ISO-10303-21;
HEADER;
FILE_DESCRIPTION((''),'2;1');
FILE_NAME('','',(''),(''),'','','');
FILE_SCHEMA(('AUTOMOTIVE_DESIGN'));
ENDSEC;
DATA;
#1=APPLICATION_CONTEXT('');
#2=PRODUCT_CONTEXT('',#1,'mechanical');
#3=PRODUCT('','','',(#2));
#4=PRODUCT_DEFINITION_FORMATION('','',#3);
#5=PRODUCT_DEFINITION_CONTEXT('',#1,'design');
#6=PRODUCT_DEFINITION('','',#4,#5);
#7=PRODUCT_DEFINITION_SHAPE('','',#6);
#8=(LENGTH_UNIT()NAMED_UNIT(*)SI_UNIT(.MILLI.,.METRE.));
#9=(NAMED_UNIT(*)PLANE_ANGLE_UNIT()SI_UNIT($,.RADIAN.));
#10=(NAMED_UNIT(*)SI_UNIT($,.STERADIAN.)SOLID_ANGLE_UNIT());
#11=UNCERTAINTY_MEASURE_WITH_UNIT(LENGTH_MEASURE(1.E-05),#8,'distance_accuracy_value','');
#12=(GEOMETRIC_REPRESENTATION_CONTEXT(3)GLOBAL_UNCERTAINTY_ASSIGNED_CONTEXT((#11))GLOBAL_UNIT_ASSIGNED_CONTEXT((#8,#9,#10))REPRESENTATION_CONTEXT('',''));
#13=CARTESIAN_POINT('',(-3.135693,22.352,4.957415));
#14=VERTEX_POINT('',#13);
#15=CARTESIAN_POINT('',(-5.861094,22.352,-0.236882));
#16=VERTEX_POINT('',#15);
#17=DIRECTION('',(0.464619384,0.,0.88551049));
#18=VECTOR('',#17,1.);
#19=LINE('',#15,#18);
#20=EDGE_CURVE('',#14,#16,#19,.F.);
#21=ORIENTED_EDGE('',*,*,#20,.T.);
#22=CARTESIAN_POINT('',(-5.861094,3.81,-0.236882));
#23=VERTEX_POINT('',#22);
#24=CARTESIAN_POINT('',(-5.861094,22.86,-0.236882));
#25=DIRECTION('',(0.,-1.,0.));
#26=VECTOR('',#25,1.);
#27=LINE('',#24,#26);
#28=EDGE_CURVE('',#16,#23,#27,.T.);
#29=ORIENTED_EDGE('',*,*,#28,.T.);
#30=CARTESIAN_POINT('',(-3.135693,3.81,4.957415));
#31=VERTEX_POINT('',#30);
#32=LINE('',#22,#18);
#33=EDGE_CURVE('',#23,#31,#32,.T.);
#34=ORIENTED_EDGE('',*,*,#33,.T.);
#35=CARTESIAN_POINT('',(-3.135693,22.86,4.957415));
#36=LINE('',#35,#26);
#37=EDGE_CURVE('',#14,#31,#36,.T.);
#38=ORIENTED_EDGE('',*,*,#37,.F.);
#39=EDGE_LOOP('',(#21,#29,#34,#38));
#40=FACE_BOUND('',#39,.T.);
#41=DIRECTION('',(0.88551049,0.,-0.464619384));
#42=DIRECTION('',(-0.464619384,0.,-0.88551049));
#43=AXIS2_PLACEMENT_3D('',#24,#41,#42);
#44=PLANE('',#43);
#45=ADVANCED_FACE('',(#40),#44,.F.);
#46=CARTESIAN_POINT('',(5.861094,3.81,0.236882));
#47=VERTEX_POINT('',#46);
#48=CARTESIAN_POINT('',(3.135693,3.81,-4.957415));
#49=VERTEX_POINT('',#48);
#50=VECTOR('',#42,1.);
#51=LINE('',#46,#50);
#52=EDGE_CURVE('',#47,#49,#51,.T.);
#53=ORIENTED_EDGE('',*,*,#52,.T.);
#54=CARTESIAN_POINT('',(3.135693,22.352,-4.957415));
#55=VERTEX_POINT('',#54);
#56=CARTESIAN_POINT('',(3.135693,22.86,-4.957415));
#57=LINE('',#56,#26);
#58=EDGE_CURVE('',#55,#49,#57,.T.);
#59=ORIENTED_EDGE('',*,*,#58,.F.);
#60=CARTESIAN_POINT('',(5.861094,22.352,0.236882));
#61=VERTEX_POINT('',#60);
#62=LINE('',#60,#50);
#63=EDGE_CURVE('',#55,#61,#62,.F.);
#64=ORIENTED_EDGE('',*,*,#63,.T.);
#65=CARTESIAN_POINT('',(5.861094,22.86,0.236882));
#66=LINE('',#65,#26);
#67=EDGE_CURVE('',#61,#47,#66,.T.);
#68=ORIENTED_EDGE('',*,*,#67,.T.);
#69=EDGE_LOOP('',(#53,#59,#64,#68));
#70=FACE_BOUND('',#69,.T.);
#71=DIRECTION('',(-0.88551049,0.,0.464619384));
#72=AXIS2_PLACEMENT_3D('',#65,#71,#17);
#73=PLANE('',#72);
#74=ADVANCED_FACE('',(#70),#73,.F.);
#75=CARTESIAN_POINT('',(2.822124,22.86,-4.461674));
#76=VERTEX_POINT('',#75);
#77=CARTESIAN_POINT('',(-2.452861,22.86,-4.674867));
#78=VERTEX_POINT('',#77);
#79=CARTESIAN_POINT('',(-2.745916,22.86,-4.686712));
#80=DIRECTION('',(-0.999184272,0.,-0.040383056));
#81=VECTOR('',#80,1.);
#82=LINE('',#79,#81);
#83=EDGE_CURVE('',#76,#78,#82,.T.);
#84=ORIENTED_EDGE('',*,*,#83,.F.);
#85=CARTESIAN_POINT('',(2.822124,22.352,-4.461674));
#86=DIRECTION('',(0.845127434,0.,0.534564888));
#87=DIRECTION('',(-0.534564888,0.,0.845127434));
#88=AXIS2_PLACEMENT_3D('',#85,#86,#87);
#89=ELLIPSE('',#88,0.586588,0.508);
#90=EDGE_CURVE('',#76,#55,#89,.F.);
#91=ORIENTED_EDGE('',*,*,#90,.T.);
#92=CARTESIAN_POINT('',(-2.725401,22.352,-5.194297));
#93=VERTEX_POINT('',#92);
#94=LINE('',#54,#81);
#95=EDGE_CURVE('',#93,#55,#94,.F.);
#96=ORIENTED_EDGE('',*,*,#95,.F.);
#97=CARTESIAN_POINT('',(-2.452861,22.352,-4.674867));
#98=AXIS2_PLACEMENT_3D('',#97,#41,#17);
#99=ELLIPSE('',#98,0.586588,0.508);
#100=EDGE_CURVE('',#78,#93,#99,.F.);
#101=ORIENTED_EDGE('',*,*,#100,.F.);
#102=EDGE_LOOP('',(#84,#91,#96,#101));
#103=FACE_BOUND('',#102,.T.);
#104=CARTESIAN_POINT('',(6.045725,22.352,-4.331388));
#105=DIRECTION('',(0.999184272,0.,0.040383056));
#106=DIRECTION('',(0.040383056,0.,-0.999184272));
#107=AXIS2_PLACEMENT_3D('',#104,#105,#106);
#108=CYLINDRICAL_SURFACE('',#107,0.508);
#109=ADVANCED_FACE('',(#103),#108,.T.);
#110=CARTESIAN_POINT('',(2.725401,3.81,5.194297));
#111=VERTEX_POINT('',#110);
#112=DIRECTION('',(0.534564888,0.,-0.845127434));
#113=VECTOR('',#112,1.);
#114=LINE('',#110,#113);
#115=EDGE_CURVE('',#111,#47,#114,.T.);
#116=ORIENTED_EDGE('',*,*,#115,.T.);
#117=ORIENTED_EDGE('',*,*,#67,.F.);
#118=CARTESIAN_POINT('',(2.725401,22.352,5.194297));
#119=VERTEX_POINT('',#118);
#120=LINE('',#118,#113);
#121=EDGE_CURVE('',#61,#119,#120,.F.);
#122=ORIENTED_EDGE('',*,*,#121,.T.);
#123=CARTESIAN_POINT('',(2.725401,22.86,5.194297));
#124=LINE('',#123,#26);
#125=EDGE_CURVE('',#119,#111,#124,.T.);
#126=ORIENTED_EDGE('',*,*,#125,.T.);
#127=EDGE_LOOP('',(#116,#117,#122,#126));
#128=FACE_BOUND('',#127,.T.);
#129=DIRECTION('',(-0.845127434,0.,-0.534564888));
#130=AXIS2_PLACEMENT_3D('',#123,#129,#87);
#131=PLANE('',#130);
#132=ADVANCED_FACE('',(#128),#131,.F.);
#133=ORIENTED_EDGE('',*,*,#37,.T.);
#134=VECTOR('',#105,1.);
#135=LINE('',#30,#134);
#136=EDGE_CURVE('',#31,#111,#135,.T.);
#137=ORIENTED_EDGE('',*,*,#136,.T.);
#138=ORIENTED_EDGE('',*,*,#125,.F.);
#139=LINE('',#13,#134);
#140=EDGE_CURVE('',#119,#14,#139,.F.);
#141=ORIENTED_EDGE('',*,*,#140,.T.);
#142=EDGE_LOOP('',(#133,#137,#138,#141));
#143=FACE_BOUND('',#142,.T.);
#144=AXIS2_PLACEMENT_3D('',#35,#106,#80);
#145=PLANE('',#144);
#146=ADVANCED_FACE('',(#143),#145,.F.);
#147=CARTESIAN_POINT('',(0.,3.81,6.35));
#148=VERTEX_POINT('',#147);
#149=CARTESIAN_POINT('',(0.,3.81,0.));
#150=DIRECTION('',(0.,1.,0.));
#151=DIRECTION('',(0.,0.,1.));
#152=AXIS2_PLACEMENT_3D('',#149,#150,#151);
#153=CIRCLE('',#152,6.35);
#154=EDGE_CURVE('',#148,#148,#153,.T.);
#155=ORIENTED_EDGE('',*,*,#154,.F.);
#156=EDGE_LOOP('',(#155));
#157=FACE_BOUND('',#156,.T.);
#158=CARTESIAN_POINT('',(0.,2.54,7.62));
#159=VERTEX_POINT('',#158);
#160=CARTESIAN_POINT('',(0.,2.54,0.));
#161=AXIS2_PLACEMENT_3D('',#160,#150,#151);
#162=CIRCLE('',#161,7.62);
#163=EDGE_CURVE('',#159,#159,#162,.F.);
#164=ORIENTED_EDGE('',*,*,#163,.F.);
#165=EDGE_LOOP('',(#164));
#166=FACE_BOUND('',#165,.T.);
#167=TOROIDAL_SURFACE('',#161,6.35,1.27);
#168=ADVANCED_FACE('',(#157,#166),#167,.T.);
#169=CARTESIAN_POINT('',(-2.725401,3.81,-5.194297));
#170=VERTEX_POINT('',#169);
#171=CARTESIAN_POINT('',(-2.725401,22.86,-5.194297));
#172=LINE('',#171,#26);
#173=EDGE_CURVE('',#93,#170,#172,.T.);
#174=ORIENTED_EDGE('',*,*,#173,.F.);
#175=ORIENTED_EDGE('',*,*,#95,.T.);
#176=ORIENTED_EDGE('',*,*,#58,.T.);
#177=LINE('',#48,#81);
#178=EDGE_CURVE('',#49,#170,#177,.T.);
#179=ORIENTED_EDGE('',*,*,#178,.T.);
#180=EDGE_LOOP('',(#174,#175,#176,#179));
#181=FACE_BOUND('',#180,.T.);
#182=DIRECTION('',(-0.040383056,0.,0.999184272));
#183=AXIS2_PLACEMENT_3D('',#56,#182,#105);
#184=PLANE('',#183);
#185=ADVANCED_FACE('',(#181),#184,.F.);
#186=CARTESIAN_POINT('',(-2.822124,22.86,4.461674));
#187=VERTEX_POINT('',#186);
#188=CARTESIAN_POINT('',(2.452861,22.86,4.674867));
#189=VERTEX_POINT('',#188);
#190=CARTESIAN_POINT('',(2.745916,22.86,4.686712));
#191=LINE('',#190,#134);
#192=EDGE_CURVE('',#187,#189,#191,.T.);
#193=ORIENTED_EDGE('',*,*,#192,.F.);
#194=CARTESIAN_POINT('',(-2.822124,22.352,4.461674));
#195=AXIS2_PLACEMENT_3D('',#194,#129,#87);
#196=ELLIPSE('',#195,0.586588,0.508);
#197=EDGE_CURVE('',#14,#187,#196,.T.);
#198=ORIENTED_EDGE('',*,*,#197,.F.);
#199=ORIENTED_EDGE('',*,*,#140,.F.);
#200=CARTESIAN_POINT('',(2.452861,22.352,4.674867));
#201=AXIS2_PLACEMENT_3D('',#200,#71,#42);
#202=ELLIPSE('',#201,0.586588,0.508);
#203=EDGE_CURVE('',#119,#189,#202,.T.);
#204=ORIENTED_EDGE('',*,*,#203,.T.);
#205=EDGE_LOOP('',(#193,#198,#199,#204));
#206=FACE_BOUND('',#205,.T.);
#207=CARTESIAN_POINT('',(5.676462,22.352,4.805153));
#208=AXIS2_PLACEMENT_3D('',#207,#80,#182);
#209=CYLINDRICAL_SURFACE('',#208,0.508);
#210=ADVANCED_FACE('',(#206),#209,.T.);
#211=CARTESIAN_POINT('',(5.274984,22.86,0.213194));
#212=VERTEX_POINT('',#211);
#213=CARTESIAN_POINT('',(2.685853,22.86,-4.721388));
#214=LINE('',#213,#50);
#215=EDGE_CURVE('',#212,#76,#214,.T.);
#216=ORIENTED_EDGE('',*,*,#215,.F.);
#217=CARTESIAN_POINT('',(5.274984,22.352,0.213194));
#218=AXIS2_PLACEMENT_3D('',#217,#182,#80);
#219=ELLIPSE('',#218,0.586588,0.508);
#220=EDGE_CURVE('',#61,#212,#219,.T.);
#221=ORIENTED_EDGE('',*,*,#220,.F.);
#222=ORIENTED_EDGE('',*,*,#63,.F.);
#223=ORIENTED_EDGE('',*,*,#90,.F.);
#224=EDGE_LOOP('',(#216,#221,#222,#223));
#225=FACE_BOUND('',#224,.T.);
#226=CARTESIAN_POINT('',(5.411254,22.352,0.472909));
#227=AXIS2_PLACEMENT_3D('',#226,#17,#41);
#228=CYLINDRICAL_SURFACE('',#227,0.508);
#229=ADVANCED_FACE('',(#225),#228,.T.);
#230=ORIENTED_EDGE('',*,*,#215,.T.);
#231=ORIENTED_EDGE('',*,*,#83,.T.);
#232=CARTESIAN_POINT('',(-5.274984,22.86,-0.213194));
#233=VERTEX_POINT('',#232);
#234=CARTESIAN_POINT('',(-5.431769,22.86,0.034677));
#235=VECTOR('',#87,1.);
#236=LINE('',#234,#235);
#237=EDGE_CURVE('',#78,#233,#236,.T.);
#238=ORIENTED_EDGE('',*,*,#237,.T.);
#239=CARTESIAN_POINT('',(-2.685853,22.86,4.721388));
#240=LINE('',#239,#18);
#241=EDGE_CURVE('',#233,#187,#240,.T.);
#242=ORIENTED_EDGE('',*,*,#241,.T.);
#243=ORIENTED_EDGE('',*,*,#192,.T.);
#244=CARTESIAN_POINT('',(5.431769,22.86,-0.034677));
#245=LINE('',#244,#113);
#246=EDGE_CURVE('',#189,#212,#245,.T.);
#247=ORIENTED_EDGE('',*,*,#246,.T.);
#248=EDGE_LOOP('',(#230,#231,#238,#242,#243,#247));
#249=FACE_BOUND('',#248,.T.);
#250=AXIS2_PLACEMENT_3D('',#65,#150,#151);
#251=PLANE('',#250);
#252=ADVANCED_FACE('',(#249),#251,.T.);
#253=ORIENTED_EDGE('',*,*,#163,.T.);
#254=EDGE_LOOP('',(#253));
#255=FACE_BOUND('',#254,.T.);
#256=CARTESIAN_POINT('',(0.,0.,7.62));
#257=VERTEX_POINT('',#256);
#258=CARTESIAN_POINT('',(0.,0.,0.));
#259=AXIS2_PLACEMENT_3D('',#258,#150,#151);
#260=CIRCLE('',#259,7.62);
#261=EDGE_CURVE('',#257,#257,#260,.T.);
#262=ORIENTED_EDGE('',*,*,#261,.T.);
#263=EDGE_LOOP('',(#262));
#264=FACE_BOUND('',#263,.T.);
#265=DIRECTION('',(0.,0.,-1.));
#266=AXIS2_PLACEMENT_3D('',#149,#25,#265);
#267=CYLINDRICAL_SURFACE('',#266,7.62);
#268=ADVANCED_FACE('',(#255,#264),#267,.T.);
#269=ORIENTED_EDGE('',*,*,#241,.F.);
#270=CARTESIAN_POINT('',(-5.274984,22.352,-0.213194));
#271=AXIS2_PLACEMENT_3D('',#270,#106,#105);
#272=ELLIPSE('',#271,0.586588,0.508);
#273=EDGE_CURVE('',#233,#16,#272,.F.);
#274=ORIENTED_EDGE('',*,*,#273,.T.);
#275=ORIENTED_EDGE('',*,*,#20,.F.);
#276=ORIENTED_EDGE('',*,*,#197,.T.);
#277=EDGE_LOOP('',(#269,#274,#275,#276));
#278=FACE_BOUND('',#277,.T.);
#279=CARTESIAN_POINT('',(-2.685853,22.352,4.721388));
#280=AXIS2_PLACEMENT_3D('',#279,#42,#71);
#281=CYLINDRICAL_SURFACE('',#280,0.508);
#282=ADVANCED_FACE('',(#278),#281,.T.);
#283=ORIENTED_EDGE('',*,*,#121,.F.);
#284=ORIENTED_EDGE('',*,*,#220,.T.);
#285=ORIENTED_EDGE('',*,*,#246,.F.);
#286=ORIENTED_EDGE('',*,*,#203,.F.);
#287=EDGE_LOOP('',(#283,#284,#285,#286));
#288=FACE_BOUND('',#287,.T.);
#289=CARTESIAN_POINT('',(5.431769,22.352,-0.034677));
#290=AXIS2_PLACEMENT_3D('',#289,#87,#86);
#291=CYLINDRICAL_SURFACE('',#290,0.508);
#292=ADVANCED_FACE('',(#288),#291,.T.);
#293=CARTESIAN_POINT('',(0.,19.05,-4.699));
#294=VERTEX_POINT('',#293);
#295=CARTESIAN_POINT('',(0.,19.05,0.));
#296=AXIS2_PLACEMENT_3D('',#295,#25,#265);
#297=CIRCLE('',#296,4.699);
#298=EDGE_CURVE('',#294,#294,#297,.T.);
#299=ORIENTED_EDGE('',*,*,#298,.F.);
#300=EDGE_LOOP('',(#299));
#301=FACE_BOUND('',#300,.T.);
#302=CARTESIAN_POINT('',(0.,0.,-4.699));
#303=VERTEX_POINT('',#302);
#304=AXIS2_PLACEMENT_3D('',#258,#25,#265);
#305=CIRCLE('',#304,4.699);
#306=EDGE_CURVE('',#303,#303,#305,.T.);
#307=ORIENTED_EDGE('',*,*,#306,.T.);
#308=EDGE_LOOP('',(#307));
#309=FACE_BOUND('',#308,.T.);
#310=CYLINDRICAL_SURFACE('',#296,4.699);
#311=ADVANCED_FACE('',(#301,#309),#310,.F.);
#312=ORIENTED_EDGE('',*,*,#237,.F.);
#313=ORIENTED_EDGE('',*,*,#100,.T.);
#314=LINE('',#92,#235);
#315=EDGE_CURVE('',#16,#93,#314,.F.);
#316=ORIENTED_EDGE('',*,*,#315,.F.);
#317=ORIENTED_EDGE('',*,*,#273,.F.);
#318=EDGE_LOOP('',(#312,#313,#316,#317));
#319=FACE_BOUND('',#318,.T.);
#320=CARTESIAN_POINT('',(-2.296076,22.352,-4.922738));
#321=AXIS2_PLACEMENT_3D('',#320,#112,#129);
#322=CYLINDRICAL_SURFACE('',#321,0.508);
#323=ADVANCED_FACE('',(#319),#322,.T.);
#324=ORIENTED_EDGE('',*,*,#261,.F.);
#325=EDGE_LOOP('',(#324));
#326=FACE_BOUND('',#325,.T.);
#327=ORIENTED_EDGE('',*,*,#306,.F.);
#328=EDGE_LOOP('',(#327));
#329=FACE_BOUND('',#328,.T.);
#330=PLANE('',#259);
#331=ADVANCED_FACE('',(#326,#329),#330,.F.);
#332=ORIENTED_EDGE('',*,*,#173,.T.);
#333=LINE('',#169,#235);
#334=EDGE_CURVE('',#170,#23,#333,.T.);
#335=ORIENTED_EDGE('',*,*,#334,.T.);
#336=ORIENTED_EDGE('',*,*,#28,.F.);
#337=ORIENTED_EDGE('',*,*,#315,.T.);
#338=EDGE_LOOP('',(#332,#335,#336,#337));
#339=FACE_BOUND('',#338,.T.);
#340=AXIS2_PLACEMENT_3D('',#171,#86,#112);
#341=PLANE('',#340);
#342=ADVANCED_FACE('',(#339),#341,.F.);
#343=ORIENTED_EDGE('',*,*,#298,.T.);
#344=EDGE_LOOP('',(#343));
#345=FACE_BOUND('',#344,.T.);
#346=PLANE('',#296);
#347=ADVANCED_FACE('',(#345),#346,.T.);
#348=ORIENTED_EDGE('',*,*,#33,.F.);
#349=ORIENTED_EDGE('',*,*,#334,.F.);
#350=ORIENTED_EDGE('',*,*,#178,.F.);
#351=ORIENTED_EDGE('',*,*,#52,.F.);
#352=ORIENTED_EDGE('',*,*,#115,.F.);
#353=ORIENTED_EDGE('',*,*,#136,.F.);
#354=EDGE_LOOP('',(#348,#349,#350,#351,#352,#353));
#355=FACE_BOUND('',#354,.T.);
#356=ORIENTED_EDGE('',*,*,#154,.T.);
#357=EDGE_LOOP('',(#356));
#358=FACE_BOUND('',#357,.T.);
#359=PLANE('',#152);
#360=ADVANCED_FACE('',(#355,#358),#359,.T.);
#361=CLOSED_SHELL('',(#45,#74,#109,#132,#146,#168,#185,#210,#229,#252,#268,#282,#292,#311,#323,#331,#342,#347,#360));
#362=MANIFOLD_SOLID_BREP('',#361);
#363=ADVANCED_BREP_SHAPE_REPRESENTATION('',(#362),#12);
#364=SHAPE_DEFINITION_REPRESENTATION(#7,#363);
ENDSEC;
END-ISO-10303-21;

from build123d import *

# Parameters (mm, degrees)
SKETCH1_R           = 7.62
BOSS_EXTRUDE1_DEPTH = 3.81
BOSS_EXTRUDE2_DEPTH = 19.05
FILLET1_R           = 1.27
FILLET2_R           = 0.508
SKETCH3_R           = 4.699
CUT_EXTRUDE1_DEPTH  = 19.05


with BuildPart() as part:
    # Sketch1 → Boss-Extrude1 (new body)
    with BuildSketch(Plane(origin=(0, 0, 0), x_dir=(1, 0, 0), z_dir=(0, 1, 0))):
        Circle(SKETCH1_R)
    extrude(amount=BOSS_EXTRUDE1_DEPTH)

    # Sketch2 → Boss-Extrude2 (add)
    with BuildSketch(Plane(origin=(0, 3.81, 0), x_dir=(1, 0, 0), z_dir=(0, 1, 0))):
        Polygon((5.861093772, -0.236882109), (3.13569281, 4.957415046), (-2.725400962, 5.194297155), (-5.861093772, 0.236882109), (-3.13569281, -4.957415046), (2.725400962, -5.194297155), align=None)
    extrude(amount=BOSS_EXTRUDE2_DEPTH)

    # Fillet1
    fillet1_edges = [part.edges().sort_by_distance(p)[0] for p in [
        (-7.62, 3.81, 0),
    ]]
    fillet(fillet1_edges, radius=FILLET1_R)

    # Fillet2
    fillet2_edges = [part.edges().sort_by_distance(p)[0] for p in [
        (4.293247367, 22.86, 2.715589632),
        (4.498393291, 22.86, -2.360266469),
        (0.205145924, 22.86, -5.0758561),
        (-4.293247367, 22.86, -2.715589632),
        (-4.498393291, 22.86, 2.360266469),
        (-0.205145924, 22.86, 5.0758561),
    ]]
    fillet(fillet2_edges, radius=FILLET2_R)

    # Sketch3 → Cut-Extrude1 (cut)
    with BuildSketch(Plane.XZ):
        Circle(SKETCH3_R)
    extrude(amount=-CUT_EXTRUDE1_DEPTH, mode=Mode.SUBTRACT)


solid = part.part
